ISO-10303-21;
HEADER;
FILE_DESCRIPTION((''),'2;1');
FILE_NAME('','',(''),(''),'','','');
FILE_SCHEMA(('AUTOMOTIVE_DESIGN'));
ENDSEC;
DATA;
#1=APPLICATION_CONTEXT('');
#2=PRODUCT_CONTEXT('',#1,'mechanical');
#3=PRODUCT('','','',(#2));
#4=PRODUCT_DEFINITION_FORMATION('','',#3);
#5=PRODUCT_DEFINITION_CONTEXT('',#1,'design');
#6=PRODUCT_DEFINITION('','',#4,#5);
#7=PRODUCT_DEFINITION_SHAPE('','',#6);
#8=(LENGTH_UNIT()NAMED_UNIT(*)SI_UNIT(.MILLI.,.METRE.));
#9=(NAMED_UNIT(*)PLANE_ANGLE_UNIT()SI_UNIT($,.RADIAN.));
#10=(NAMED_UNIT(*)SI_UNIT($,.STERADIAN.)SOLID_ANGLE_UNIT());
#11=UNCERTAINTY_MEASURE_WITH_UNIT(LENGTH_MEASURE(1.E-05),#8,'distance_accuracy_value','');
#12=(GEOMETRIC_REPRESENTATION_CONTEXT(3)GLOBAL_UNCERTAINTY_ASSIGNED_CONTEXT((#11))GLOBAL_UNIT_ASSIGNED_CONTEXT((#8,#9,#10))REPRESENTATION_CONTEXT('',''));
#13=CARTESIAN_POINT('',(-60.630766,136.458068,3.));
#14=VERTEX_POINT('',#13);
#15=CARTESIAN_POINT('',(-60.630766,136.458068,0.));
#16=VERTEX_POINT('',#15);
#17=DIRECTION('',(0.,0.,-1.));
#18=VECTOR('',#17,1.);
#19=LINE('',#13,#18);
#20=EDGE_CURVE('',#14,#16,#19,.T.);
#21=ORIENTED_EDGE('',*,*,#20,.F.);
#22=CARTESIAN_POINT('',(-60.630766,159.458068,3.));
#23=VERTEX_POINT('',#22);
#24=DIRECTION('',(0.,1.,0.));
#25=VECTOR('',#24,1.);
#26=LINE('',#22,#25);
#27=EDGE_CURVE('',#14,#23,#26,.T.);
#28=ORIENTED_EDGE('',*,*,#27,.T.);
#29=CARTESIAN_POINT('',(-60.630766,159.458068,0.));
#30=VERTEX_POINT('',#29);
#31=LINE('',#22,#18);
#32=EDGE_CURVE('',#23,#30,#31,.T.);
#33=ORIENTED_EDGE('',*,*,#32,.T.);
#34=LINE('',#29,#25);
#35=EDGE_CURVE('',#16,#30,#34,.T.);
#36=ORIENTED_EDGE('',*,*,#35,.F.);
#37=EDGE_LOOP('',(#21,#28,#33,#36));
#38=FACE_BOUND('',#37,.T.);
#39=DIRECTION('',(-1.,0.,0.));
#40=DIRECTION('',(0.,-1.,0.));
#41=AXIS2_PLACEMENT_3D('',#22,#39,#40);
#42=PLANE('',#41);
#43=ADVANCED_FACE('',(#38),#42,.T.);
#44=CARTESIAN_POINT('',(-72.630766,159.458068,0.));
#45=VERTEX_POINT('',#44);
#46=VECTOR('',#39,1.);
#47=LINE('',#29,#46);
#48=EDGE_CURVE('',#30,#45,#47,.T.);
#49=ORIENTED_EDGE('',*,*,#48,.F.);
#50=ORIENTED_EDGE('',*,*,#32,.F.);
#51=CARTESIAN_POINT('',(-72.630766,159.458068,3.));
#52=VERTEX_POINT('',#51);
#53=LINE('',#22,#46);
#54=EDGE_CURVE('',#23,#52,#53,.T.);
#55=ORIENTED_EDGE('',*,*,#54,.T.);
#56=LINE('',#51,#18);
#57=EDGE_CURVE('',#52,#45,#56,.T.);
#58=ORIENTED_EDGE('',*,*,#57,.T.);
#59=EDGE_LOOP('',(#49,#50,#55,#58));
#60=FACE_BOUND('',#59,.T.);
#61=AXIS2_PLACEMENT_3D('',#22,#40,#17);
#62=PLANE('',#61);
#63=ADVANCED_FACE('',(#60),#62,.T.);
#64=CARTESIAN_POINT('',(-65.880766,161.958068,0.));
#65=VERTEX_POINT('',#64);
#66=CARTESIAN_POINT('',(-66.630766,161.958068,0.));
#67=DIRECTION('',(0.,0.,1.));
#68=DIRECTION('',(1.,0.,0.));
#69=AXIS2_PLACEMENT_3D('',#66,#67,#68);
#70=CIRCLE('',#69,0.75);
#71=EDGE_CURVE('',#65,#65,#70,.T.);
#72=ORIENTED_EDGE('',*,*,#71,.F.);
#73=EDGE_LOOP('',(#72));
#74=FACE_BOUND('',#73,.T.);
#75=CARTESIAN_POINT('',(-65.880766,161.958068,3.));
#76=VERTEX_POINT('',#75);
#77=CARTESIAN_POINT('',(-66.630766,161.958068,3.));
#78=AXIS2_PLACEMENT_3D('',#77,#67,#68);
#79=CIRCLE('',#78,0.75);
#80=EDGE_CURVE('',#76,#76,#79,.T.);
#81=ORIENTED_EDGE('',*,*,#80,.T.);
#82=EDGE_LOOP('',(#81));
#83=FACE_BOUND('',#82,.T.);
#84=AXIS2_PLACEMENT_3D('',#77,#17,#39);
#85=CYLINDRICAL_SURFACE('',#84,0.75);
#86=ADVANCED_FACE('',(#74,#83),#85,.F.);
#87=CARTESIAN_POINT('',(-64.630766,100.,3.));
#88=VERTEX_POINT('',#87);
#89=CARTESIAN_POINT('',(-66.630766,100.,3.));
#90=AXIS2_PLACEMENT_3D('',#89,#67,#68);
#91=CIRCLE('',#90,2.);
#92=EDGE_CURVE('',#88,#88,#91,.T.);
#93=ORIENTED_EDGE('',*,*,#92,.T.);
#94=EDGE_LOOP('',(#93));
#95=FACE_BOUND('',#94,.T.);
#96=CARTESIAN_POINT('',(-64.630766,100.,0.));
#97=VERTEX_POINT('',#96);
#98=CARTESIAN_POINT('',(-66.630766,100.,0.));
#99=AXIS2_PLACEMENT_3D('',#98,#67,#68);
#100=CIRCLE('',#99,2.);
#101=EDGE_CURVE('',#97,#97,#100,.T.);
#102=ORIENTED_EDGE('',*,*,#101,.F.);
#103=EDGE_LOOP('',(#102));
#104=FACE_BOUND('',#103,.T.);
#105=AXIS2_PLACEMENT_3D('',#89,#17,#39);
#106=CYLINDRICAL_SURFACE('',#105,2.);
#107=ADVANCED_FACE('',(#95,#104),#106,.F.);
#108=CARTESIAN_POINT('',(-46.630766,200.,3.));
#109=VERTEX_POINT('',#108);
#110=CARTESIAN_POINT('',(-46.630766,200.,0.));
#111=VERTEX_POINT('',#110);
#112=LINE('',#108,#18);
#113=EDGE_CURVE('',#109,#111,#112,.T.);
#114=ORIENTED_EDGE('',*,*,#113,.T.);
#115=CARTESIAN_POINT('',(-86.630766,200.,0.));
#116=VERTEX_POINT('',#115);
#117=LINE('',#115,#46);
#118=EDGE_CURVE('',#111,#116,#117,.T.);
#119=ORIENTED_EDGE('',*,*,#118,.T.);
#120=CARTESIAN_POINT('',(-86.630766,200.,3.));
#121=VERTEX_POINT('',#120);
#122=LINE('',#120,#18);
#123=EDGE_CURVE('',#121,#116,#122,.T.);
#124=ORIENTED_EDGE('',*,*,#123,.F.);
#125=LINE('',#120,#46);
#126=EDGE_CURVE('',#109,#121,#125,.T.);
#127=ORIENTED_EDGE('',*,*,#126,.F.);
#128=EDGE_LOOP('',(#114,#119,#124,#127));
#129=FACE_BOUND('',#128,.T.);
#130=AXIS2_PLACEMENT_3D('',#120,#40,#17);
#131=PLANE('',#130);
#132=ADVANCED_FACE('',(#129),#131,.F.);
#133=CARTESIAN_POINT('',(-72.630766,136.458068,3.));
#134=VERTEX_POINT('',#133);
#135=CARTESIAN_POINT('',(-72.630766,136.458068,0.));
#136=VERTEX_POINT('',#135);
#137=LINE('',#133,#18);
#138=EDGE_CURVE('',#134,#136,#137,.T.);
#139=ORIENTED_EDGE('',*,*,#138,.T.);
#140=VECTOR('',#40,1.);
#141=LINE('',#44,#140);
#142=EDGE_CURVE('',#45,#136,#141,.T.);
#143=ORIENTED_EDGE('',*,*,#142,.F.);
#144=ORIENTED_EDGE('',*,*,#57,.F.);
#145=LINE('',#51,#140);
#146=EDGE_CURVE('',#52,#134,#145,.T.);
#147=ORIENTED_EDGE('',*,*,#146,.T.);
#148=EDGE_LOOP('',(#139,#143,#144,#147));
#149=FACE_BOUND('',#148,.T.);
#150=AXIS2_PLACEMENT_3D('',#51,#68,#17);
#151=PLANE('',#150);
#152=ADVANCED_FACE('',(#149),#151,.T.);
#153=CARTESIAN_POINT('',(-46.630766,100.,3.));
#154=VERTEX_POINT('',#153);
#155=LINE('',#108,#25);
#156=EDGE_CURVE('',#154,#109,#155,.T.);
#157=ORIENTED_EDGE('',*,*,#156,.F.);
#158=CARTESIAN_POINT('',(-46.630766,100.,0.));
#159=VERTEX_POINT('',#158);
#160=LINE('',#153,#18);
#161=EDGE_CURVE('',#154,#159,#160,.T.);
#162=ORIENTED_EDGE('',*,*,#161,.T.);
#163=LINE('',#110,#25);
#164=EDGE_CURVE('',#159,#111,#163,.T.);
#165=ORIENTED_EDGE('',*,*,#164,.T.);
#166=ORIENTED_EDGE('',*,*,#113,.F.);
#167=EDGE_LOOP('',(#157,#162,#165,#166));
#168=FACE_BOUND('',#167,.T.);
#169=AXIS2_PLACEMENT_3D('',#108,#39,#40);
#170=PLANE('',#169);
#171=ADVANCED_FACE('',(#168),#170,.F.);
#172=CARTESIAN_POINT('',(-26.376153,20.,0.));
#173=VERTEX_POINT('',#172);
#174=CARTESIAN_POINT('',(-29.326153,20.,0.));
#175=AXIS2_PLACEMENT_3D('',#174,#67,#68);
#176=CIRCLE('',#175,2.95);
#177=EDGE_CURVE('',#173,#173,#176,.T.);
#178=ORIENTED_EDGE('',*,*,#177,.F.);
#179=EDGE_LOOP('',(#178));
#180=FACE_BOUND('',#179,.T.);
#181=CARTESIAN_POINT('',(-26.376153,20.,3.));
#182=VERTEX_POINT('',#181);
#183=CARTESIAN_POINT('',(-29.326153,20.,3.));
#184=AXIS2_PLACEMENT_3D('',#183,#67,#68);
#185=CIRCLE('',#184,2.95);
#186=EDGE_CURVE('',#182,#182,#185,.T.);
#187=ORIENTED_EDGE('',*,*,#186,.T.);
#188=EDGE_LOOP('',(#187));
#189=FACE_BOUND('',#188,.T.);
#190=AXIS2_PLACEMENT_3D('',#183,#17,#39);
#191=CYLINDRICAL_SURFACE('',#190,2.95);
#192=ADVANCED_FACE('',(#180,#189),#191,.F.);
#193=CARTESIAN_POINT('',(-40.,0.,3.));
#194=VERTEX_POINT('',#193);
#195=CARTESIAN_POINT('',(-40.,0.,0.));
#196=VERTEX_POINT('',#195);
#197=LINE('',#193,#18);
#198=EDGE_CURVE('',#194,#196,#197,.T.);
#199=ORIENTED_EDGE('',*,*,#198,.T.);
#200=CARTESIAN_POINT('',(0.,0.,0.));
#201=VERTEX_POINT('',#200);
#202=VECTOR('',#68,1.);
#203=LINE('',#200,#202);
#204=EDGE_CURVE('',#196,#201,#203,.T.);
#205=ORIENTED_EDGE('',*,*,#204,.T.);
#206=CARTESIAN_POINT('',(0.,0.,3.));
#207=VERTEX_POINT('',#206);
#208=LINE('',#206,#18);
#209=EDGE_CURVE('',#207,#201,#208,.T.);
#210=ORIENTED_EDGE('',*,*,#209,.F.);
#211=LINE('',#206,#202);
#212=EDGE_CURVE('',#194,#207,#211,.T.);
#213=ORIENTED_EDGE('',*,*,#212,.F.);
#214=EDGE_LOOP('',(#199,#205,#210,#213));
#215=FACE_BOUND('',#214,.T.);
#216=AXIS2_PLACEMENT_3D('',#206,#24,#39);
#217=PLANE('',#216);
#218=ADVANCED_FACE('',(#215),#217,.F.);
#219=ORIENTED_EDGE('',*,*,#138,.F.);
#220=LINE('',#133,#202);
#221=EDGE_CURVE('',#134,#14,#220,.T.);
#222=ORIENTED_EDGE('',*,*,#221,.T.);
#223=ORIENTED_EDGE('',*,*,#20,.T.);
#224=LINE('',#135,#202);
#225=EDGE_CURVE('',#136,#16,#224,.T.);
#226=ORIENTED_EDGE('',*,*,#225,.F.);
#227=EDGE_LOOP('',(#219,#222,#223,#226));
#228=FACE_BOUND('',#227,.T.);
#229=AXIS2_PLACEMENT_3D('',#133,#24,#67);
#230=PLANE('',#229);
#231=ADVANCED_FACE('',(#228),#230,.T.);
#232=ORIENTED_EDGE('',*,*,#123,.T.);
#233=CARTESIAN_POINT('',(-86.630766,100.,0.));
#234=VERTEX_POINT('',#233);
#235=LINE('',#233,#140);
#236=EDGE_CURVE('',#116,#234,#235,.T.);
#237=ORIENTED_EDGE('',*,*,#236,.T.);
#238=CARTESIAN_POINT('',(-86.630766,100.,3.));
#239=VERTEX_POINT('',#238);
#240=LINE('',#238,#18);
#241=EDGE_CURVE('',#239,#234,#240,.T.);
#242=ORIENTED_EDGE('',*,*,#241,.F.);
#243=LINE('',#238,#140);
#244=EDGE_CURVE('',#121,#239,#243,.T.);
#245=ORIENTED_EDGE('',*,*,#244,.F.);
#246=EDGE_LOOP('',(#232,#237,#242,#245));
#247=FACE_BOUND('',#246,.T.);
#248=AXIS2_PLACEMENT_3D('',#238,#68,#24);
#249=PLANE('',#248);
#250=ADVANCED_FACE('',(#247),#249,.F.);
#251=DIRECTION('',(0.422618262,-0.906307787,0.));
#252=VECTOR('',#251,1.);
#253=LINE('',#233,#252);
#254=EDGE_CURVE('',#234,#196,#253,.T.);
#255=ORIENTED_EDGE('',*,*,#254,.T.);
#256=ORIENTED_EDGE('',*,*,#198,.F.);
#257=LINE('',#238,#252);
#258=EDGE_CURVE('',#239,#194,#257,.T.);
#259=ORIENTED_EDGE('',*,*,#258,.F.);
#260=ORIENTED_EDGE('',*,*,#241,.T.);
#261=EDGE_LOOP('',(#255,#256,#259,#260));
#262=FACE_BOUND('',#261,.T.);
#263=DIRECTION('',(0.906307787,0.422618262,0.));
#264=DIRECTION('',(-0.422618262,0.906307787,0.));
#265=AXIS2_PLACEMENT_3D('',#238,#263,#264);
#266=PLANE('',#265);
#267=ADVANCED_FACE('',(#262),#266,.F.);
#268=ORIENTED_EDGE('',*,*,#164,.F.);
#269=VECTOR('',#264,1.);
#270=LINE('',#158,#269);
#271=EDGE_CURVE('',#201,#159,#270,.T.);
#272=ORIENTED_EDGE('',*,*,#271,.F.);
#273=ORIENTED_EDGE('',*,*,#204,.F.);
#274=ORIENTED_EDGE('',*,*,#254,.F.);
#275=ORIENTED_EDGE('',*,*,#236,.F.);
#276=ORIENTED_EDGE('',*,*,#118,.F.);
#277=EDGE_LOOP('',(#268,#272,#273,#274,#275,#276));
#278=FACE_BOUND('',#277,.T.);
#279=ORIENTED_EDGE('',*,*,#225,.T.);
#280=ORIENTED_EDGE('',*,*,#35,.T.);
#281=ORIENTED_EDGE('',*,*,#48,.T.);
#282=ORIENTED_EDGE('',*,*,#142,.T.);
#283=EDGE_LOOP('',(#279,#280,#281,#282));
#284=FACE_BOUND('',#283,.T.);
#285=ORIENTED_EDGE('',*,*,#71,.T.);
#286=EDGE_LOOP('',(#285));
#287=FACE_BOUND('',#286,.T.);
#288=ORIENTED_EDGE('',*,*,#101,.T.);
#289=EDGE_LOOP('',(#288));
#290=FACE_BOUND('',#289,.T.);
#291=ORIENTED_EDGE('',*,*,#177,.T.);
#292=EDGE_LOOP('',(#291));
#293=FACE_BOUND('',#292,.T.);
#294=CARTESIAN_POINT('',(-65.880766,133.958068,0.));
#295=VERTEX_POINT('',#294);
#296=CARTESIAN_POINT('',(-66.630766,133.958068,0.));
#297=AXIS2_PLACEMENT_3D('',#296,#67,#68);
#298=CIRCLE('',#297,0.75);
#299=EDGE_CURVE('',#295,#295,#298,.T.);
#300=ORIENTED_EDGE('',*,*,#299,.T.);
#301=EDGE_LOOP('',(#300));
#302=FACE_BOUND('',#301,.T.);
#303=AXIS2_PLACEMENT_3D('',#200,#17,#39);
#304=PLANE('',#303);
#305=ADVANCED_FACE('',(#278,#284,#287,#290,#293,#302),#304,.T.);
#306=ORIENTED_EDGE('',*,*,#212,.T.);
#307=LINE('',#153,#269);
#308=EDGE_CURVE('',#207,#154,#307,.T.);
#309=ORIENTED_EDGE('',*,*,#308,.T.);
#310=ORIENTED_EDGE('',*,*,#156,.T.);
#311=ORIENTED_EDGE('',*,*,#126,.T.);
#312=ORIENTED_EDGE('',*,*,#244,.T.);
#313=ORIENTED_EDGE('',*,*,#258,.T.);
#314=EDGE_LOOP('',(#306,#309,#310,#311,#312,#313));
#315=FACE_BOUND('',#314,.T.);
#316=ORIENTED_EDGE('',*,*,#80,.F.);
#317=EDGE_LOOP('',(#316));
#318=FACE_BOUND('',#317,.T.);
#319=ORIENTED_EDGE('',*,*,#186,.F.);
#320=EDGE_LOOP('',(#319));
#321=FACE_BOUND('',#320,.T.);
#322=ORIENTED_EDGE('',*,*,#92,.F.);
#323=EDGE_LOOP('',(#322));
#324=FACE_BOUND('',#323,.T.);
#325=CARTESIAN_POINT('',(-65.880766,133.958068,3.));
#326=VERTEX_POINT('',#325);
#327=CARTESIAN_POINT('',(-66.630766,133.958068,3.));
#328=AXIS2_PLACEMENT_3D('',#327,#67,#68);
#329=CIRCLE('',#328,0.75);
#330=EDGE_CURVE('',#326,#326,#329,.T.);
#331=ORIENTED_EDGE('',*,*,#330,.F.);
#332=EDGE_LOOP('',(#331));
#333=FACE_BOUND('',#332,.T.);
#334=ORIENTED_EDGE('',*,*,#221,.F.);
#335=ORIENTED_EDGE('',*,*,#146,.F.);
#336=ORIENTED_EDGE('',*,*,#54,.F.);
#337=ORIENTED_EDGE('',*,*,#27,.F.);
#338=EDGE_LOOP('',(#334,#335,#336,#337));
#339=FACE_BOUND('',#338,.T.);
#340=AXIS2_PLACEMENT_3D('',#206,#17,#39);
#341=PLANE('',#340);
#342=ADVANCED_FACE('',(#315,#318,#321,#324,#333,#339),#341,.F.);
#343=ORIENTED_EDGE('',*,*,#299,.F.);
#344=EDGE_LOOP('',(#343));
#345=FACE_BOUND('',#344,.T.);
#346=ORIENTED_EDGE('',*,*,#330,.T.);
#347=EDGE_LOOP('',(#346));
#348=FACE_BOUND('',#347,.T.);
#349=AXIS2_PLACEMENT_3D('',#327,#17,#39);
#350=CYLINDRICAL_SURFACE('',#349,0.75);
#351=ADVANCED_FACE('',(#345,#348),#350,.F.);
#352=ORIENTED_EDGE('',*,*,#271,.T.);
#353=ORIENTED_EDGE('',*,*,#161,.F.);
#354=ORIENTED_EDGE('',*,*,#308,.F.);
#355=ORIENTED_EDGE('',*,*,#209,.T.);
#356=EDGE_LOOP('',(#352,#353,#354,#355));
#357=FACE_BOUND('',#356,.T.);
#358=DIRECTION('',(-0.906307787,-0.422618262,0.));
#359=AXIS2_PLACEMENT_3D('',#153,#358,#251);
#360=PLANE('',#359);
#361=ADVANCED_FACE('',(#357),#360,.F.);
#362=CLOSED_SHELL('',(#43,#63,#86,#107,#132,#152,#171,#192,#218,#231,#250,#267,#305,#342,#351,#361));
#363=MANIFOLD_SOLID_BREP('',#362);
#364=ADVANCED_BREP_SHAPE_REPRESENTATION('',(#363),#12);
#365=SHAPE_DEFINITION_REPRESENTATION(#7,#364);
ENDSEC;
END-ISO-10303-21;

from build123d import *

# Parameters (mm, degrees)
CROQUIS1_R              = 2.95
CROQUIS1_R_2            = 0.75
CROQUIS1_R_3            = 2
CROQUIS1_W              = 12
CROQUIS1_H              = 23
SALIENTE_EXTRUIR1_DEPTH = 3


with BuildPart() as part:
    # Croquis1 → Saliente-Extruir1 (new body)
    with BuildSketch(Plane.XY):
        Polygon((0, 0), (-40, 0), (-86.630765816, 100), (-86.630765816, 200), (-46.630765816, 200), (-46.630765816, 100), align=None)
        with Locations((-29.326153163, 20)):
            Circle(CROQUIS1_R, mode=Mode.SUBTRACT)
        with Locations((-66.630765816, 133.95806763)):
            Circle(CROQUIS1_R_2, mode=Mode.SUBTRACT)
        with Locations((-66.630765816, 161.95806763)):
            Circle(CROQUIS1_R_2, mode=Mode.SUBTRACT)
        with Locations((-66.630765816, 100)):
            Circle(CROQUIS1_R_3, mode=Mode.SUBTRACT)
        with Locations((-66.630765816, 147.95806763)):
            Rectangle(CROQUIS1_W, CROQUIS1_H, mode=Mode.SUBTRACT)
    extrude(amount=SALIENTE_EXTRUIR1_DEPTH)


solid = part.part
